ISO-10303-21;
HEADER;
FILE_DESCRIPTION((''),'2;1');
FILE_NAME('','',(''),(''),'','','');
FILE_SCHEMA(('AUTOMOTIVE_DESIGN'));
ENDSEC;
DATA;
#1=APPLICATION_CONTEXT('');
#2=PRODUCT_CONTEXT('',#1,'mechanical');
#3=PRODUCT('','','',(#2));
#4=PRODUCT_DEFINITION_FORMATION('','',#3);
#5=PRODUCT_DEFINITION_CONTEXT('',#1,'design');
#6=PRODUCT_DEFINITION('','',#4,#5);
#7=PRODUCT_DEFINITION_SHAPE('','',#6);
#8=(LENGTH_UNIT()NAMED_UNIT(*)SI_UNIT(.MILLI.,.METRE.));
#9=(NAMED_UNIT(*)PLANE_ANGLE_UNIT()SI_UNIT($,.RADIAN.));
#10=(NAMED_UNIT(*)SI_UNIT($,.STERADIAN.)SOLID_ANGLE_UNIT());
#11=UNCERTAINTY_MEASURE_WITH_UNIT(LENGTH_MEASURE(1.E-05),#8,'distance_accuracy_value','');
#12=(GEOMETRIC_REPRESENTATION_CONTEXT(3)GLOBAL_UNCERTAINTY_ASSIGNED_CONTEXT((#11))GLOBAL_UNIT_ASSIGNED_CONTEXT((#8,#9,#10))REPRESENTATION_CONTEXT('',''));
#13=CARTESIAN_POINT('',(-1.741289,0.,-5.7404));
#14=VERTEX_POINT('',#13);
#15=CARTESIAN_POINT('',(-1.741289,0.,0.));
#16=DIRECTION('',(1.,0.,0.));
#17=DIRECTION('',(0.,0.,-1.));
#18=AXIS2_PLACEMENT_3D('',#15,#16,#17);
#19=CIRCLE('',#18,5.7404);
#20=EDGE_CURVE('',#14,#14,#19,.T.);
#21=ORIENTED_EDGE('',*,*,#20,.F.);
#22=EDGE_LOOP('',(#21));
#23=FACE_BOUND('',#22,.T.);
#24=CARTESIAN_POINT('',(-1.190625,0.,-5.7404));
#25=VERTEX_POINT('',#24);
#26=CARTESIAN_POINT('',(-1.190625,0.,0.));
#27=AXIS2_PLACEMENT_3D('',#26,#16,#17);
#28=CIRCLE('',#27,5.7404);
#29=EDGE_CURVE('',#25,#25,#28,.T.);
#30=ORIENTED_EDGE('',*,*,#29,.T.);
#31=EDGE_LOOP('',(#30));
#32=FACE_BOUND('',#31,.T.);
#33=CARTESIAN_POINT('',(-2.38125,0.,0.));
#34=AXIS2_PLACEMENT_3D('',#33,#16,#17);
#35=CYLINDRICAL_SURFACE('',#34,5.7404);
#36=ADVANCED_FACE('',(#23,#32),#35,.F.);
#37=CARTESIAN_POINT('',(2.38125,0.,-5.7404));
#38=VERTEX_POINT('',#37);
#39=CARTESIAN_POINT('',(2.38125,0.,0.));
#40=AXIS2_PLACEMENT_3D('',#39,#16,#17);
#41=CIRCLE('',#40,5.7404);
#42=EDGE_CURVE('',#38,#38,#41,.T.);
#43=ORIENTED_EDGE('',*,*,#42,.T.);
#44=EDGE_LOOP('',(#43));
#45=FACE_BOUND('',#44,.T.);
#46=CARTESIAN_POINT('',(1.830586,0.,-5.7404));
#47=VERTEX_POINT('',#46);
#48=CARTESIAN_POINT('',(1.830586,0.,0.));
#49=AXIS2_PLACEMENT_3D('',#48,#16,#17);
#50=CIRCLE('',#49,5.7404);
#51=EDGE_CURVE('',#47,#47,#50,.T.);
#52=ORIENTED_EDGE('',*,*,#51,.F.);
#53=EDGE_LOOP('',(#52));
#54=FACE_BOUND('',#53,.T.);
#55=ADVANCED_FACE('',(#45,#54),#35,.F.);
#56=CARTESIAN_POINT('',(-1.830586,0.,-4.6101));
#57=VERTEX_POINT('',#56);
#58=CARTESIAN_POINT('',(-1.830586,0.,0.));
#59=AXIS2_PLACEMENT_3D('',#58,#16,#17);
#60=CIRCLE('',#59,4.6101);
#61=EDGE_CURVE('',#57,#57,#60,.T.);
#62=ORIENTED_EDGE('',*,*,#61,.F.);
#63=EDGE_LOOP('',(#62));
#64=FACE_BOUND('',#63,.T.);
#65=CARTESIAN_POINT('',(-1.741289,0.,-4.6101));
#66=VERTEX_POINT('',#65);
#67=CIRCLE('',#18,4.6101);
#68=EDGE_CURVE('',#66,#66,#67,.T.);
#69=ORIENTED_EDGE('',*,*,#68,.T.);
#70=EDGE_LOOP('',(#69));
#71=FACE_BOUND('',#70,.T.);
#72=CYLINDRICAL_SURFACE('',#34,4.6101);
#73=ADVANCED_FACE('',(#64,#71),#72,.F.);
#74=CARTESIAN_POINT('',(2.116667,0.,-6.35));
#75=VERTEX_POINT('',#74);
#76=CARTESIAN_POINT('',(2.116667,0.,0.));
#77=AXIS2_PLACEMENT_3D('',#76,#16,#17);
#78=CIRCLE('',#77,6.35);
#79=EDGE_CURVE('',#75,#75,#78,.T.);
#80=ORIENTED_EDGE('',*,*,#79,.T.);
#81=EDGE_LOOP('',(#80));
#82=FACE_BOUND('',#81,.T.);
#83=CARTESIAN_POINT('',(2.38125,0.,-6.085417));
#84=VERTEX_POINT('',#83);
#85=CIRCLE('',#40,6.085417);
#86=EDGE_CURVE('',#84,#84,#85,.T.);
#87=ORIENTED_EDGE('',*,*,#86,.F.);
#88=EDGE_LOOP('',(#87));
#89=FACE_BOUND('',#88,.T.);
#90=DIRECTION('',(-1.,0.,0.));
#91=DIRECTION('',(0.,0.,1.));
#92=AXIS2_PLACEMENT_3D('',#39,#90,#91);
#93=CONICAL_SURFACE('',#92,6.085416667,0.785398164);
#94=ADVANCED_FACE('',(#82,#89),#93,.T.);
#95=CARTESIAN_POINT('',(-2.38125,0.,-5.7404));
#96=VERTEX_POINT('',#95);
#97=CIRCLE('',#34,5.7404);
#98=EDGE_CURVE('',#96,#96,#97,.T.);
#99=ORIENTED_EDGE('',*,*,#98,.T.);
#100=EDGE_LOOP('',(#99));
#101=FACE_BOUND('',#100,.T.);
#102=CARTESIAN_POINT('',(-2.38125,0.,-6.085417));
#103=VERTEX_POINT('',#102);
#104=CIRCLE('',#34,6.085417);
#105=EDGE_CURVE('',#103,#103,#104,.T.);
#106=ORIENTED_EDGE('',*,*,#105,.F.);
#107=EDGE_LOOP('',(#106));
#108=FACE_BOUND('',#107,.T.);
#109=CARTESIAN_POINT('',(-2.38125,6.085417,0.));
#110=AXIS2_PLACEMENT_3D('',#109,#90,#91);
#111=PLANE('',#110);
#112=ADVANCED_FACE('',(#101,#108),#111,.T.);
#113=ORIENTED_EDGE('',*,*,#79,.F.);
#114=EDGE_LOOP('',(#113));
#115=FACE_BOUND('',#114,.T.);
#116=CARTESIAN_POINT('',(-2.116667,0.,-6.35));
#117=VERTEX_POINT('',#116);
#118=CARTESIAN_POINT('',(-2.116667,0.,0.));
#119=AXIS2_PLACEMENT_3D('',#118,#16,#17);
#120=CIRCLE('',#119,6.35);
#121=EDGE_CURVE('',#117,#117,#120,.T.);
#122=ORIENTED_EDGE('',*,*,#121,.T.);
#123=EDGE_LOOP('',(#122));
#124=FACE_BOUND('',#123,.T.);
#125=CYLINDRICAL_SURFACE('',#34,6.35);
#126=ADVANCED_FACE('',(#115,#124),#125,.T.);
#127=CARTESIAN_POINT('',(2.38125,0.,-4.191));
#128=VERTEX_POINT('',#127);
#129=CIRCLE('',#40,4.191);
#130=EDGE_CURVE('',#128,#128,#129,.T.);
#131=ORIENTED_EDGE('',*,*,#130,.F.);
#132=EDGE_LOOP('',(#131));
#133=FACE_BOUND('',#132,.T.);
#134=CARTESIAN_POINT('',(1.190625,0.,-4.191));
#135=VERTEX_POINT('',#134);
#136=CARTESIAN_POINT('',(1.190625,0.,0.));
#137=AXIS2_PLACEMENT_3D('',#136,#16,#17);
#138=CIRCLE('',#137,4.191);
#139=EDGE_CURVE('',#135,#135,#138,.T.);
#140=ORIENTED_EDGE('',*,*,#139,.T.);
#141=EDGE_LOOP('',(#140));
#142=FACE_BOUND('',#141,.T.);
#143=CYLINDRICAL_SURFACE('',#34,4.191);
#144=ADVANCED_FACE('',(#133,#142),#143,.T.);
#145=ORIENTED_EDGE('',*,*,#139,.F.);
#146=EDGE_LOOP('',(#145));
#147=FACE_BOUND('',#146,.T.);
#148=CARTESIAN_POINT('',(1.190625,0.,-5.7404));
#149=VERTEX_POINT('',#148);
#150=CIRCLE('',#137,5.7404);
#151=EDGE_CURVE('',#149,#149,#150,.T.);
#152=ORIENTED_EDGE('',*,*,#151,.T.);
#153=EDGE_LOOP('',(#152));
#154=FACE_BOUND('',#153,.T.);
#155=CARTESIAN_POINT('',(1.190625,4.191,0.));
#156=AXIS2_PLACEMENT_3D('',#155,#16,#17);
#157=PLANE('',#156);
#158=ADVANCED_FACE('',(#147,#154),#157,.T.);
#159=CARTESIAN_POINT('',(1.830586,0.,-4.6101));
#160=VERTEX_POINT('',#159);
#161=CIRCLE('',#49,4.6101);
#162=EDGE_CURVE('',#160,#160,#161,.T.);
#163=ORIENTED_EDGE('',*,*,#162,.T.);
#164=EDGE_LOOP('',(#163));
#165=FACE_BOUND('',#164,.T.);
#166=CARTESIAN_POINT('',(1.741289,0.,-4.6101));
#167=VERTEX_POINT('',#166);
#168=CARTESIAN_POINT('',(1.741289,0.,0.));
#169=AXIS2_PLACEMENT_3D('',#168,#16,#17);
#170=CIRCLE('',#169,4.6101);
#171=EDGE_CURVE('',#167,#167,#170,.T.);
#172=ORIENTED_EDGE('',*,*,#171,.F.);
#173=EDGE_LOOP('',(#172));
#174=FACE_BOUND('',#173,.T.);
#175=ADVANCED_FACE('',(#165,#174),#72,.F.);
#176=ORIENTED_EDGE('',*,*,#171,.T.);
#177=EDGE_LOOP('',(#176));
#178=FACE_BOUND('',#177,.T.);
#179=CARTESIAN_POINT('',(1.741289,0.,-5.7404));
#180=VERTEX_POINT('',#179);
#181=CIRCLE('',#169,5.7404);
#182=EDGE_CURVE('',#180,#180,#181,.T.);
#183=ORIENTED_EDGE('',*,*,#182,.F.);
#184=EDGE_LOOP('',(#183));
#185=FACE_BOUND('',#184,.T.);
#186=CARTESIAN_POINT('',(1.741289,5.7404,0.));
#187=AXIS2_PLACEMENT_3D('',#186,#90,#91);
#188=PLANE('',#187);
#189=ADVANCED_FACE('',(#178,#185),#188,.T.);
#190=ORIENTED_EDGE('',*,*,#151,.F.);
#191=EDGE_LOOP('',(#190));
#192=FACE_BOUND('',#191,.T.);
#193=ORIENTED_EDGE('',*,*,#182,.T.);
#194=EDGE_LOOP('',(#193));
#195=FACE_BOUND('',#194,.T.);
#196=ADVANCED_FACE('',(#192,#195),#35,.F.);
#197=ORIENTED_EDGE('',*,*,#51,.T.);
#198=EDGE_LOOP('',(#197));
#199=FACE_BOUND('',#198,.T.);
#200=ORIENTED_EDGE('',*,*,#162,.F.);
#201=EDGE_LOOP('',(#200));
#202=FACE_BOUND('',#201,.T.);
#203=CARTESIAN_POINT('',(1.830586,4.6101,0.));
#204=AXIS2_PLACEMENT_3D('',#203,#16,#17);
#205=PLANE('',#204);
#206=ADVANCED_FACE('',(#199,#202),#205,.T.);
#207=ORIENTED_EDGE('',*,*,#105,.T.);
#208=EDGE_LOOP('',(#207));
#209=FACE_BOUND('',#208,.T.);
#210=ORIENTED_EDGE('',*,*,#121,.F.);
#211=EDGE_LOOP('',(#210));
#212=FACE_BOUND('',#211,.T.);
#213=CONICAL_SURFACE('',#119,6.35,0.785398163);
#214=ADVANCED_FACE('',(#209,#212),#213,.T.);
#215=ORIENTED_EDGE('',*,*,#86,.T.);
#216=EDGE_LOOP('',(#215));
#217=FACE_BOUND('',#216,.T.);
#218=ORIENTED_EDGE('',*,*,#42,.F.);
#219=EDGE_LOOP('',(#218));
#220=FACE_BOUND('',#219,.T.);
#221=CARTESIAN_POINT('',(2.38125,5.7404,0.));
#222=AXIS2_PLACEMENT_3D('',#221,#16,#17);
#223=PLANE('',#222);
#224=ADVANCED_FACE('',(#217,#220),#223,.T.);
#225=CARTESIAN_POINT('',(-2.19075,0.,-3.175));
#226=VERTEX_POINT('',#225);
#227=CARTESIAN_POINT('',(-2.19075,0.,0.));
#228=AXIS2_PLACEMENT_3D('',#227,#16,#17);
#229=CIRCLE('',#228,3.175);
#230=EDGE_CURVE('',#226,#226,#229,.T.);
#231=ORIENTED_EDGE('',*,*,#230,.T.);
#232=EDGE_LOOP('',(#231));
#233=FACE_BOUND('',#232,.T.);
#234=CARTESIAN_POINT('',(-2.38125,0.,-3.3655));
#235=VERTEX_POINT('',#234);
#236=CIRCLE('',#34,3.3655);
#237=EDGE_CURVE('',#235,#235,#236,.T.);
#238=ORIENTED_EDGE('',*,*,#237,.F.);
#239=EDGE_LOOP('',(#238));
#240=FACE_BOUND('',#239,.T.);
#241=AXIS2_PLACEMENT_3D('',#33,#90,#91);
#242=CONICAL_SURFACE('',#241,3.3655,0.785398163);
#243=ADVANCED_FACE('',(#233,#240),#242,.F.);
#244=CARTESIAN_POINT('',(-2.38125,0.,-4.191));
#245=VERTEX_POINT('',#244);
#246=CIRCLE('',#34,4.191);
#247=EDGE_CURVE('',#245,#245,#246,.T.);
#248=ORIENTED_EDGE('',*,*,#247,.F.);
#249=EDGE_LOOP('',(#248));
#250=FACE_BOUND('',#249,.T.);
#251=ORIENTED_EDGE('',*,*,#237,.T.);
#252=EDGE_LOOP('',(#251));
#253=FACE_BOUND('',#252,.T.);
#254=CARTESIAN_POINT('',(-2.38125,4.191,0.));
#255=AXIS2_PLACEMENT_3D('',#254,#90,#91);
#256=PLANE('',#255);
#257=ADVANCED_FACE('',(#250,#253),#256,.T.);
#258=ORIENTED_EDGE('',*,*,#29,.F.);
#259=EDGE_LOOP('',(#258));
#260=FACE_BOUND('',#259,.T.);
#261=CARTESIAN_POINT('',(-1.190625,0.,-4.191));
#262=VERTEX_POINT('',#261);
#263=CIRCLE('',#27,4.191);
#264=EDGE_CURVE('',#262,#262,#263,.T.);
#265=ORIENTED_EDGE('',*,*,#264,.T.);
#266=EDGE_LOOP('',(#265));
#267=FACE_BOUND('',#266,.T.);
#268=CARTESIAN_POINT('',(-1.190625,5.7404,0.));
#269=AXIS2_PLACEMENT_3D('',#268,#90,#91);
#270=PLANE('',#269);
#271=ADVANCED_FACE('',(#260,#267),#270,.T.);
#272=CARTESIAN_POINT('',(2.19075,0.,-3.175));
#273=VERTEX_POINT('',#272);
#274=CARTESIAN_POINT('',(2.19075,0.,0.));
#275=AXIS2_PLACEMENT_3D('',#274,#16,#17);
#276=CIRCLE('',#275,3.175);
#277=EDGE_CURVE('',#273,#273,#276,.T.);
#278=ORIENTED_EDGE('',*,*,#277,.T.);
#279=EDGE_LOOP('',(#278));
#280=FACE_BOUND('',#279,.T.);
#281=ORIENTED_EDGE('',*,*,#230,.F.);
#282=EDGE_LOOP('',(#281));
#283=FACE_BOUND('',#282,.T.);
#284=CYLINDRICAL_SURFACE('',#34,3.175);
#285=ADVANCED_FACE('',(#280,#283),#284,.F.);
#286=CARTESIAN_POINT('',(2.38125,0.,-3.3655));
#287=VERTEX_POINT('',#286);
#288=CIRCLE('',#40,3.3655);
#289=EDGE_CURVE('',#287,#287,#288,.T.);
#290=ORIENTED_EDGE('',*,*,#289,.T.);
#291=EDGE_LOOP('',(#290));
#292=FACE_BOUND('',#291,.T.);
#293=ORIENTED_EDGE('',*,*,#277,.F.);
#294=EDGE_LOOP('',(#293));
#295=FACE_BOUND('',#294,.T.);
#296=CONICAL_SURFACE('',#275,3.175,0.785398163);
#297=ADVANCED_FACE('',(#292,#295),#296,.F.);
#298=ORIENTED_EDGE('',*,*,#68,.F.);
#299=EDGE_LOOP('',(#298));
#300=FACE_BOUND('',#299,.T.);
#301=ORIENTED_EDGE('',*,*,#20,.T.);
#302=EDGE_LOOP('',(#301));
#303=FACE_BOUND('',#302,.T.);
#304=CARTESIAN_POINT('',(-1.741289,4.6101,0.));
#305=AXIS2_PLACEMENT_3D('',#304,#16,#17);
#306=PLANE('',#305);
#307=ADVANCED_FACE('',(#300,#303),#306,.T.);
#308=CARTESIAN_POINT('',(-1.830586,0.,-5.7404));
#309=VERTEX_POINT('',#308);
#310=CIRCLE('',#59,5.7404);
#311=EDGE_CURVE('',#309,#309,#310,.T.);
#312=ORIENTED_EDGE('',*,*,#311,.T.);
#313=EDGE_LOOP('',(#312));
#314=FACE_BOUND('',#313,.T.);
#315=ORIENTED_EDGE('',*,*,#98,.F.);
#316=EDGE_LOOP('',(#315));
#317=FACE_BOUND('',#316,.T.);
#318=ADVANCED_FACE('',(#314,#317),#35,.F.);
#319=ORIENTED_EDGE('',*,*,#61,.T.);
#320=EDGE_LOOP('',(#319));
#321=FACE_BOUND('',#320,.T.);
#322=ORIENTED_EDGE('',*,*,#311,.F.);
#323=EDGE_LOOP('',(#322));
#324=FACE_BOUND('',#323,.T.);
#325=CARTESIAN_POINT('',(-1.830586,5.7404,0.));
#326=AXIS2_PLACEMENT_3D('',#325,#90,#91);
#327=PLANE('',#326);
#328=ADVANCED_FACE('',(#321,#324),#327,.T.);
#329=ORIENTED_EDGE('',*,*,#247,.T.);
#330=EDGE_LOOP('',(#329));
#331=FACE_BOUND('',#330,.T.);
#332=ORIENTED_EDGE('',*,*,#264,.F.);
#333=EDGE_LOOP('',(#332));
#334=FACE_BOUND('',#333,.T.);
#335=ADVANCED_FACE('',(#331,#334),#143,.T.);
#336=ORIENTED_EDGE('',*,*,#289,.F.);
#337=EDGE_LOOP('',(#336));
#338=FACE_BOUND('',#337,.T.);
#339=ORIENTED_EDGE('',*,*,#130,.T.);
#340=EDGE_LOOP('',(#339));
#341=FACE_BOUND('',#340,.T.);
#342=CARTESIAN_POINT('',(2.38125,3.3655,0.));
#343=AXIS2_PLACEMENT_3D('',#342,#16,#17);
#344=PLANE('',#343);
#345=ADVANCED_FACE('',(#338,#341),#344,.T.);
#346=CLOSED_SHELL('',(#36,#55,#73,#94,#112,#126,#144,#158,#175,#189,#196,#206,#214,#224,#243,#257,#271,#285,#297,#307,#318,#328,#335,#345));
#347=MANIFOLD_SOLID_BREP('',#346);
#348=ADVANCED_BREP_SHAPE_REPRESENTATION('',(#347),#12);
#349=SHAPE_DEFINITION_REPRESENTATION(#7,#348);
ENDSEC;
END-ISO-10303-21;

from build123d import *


with BuildPart() as part:
    # Sketch1 → Revolve1 (revolve)
    with BuildSketch(Plane.XY, mode=Mode.PRIVATE) as revolve1_sk:
        Polygon((-2.38125, 3.3655), (-2.19075, 3.175), (2.19075, 3.175), (2.38125, 3.3655), (2.38125, 4.191), (1.190625, 4.191), (1.190625, 5.7404), (1.741289063, 5.7404), (1.741289063, 4.6101), (1.830585938, 4.6101), (1.830585938, 5.7404), (2.38125, 5.7404), (2.38125, 6.085416667), (2.116666667, 6.35), (-2.116666667, 6.35), (-2.38125, 6.085416667), (-2.38125, 5.7404), (-1.830585937, 5.7404), (-1.830585937, 4.6101), (-1.741289062, 4.6101), (-1.741289062, 5.7404), (-1.190625, 5.7404), (-1.190625, 4.191), (-2.38125, 4.191), align=None)
    revolve(revolve1_sk.sketch.rotate(Axis((-2.38125, 0, 0), (1, 0, 0)), 270), axis=Axis((-2.38125, 0, 0), (1, 0, 0)))


solid = part.part
